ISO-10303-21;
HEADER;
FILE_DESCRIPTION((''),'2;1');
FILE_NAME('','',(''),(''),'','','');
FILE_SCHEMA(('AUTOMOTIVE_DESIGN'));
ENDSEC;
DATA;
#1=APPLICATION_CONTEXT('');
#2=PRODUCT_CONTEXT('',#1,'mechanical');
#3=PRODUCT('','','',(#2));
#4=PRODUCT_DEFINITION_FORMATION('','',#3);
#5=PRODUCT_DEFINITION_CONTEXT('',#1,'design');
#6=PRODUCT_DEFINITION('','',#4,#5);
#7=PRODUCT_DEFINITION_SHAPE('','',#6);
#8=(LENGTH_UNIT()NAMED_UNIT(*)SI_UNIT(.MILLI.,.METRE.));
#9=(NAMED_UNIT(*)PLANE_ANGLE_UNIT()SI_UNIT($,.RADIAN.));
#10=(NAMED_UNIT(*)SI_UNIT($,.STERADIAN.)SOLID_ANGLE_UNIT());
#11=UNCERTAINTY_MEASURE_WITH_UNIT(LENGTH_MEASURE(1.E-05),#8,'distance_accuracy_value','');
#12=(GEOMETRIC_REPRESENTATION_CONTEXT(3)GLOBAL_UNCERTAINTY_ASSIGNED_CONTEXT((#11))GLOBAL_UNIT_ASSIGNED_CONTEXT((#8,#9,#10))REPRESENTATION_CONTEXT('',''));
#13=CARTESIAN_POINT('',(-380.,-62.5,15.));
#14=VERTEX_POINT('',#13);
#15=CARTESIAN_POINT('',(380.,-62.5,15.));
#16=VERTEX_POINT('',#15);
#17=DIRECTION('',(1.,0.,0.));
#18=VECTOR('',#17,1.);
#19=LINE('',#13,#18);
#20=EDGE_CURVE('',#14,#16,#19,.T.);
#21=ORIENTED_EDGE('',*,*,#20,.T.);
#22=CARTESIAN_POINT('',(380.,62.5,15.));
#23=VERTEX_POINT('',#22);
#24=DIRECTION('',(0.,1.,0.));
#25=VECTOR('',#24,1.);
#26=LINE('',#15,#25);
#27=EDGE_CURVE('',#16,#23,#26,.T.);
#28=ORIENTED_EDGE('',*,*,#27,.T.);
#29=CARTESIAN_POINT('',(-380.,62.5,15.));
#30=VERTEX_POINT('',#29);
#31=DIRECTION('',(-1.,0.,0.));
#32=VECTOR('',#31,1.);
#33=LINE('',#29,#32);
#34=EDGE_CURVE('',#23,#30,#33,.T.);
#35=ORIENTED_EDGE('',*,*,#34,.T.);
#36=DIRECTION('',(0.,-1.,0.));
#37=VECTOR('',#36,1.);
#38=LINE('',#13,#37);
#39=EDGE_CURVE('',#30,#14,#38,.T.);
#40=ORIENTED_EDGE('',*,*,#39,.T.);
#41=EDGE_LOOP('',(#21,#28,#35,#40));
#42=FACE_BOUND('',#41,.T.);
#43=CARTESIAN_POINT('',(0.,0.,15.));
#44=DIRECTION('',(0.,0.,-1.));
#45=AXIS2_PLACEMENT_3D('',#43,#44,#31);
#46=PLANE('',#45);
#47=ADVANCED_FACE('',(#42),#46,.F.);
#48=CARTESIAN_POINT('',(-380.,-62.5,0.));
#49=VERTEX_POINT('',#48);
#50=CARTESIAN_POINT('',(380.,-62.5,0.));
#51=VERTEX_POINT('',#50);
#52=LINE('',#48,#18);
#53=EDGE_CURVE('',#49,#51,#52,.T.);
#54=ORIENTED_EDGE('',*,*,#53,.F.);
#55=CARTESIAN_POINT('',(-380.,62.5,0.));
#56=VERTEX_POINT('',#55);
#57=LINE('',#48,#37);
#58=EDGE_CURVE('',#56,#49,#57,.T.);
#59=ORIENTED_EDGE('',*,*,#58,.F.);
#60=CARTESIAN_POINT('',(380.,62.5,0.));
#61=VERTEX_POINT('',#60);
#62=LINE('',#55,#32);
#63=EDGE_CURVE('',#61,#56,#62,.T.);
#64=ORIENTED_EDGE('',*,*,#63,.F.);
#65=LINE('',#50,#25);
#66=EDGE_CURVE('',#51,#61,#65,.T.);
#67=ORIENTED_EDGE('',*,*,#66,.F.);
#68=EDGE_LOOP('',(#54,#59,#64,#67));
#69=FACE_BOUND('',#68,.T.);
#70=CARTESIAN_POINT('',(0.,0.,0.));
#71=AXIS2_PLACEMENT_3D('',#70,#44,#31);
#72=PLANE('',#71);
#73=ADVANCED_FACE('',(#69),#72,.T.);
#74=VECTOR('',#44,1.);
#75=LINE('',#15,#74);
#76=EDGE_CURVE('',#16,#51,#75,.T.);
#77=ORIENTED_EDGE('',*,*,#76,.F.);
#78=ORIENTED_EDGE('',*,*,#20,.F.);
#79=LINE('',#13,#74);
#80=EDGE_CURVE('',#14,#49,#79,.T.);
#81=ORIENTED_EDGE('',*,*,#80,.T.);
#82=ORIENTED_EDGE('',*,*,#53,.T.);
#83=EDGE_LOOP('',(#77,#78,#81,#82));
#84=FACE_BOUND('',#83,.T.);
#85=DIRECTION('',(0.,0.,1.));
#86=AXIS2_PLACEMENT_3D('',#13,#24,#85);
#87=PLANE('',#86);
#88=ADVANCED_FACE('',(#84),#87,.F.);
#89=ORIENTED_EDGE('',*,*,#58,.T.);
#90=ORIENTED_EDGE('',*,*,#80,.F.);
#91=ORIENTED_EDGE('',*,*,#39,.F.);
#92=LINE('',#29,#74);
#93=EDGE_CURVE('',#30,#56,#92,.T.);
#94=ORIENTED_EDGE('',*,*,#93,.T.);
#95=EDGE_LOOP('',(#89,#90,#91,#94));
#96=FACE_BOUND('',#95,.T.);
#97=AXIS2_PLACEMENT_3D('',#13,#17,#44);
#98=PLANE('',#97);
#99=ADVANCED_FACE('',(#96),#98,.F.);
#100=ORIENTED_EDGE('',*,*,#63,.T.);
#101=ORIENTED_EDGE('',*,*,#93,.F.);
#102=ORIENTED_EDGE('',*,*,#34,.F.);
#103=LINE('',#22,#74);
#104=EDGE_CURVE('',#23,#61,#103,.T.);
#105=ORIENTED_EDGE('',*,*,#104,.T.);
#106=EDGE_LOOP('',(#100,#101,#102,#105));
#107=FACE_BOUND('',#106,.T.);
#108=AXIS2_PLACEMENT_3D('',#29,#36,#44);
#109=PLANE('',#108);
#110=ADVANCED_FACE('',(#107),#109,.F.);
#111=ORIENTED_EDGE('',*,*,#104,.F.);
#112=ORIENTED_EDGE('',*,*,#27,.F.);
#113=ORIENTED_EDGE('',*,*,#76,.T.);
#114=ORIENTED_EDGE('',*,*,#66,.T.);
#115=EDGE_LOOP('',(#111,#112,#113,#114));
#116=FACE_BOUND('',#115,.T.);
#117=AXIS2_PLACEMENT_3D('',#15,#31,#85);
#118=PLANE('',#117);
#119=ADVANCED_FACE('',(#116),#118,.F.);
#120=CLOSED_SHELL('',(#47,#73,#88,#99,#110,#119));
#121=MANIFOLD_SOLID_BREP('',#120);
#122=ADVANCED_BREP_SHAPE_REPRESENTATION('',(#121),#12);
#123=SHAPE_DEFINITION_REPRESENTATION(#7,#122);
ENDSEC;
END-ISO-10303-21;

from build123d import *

# Parameters (mm, degrees)
SKETCH1_W           = 760
SKETCH1_H           = 125
BOSS_EXTRUDE1_DEPTH = 15


with BuildPart() as part:
    # Sketch1 → Boss-Extrude1 (new body)
    with BuildSketch(Plane.XY):
        Rectangle(SKETCH1_W, SKETCH1_H)
    extrude(amount=BOSS_EXTRUDE1_DEPTH)


solid = part.part
